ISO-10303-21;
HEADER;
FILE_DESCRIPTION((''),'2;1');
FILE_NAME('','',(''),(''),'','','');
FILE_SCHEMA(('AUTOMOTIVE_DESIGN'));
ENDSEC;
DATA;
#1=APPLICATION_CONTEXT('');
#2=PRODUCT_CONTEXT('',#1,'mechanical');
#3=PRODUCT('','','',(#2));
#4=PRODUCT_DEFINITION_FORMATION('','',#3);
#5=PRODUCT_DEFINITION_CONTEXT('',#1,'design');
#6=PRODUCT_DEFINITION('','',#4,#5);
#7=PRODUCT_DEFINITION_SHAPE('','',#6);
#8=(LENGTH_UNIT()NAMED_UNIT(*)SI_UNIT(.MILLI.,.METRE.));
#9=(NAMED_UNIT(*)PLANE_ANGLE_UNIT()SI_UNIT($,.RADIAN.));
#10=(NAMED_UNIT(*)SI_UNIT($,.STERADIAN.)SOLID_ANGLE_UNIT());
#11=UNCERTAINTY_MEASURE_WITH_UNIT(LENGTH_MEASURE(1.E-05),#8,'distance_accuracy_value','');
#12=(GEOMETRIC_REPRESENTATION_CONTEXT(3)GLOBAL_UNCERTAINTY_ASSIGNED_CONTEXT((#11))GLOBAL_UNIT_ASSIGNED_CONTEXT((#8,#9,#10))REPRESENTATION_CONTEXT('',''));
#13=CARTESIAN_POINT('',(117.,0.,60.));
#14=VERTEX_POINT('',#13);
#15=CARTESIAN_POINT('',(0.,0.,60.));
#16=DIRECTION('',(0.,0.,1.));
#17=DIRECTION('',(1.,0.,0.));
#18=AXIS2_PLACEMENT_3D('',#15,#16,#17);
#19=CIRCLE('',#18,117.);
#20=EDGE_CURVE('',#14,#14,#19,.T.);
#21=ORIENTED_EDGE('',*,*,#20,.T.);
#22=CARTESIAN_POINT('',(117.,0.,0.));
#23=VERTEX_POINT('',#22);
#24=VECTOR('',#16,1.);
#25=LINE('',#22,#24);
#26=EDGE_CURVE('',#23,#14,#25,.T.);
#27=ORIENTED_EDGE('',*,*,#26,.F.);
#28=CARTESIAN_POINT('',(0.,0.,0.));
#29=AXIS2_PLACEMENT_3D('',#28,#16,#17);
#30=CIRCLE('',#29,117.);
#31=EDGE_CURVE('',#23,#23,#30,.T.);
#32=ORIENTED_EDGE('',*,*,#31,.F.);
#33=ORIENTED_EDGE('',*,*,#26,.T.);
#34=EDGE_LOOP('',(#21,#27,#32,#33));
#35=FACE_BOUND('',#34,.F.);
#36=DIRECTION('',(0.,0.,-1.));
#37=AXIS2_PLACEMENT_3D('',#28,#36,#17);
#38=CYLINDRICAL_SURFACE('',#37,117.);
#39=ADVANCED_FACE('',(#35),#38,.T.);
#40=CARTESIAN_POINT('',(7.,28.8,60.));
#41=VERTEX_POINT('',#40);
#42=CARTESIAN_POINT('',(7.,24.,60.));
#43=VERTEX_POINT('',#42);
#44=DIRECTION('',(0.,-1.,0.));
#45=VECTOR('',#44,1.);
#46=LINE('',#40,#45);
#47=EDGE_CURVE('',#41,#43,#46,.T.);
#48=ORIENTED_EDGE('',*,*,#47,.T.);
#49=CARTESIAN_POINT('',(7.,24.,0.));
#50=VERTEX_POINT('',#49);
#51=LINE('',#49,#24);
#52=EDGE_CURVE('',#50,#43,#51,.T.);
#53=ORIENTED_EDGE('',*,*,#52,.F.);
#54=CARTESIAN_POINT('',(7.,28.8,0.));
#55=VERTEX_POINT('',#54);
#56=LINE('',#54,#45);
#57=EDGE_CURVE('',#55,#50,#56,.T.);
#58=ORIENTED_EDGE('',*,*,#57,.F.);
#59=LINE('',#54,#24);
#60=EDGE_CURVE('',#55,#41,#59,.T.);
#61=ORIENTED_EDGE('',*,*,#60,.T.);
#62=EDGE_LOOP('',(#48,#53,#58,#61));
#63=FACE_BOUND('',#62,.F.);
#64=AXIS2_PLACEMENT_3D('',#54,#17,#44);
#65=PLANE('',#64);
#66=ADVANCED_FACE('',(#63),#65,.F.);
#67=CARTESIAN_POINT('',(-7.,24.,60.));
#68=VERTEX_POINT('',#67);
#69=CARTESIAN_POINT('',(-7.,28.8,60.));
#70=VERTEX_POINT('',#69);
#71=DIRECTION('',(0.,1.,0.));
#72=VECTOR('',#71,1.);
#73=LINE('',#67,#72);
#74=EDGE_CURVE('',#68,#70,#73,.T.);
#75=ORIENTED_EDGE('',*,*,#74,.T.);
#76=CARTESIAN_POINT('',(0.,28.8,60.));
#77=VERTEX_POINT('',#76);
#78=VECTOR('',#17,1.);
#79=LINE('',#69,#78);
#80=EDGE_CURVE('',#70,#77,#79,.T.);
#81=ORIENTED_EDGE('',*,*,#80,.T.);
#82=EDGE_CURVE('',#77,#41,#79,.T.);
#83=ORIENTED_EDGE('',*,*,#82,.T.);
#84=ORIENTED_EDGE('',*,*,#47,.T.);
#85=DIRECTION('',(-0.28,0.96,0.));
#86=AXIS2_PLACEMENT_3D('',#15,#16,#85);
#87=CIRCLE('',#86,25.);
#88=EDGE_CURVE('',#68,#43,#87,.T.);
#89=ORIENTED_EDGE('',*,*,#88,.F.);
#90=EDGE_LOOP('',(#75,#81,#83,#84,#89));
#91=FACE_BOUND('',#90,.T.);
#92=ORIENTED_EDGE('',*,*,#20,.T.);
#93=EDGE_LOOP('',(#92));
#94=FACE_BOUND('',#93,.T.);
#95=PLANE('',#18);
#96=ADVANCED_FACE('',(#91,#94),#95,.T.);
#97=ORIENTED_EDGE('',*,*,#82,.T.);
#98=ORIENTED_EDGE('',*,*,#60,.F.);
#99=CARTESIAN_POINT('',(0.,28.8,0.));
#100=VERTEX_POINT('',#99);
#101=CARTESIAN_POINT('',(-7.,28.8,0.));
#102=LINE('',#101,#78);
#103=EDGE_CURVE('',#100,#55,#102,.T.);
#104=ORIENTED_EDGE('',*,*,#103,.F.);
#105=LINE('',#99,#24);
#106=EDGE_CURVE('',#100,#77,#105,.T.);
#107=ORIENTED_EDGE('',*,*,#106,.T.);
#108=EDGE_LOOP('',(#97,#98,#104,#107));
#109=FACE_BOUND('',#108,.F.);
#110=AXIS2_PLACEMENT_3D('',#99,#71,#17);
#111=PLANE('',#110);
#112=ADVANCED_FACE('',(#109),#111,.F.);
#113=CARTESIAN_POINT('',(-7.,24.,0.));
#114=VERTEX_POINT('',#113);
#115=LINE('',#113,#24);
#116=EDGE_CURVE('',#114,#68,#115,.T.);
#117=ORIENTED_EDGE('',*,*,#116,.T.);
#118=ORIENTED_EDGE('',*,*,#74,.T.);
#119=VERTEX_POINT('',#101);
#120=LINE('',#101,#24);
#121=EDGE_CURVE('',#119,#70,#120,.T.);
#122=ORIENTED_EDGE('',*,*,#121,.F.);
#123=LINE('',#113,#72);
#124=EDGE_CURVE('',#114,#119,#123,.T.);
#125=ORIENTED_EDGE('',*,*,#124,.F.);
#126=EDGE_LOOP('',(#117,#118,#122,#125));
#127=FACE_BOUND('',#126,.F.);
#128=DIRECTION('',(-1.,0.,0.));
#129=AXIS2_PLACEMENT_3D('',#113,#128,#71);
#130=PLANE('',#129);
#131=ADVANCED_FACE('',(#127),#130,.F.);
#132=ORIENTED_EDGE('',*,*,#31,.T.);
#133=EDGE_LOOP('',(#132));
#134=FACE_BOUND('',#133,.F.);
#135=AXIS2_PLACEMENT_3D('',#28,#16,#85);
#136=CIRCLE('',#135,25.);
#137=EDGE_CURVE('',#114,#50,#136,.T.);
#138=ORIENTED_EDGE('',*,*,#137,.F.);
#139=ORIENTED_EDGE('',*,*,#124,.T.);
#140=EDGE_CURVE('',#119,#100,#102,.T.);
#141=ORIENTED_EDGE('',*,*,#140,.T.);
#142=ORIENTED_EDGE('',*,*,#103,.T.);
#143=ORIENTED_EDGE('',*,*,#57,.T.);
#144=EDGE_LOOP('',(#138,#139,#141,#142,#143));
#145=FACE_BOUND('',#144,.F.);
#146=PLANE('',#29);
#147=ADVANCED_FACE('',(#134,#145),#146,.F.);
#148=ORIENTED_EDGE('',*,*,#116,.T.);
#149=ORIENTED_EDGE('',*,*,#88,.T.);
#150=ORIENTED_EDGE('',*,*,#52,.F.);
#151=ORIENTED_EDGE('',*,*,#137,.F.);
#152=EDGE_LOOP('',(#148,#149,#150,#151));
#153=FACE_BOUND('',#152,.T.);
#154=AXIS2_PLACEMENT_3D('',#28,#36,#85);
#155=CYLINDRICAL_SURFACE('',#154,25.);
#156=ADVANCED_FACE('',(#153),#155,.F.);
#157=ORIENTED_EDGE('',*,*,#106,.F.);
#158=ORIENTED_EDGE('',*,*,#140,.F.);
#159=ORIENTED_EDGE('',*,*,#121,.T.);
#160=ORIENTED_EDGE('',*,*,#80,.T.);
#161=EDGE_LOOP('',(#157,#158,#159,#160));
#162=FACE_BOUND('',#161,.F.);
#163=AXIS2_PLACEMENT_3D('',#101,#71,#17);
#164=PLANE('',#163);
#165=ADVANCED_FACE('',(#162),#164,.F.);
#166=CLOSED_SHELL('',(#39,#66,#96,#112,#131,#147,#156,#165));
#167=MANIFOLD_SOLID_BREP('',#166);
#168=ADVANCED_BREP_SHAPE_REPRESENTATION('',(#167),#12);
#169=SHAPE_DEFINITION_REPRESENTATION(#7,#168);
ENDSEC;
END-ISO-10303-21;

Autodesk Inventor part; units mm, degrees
sketch "スケッチ1" plane through (0, 0, 0) normal (0, 0, 1) x (1, 0, 0)
  circle A0 centre (0, 0) radius 117
  arc A1 (-7, 24) -> (7, 24) centre (0, 0) ccw
  line L0 (0, 25) -> (0, 28.8)
  line L1 (0, 28.8) -> (0, 20)
  line L2 (0, 20) -> (-7, 20)
  line L3 (-7, 24) -> (-7, 28.8)
  line L4 (-7, 28.8) -> (7, 28.8)
  line L5 (7, 28.8) -> (7, 24)
  line L6 (7, 20) -> (0, 20)
  circle A2 centre (0, 0) radius 111 construction
  circle A3 centre (0, 0) radius 103.5 construction
  circle A4 centre (0, 0) radius 104.3059 construction
  dimension "d0" = 234
  dimension "d1" = 50
  dimension "d2" = 3.8
  dimension "d3" = 8.8
  dimension "d4" = 7
  dimension "d5" = 14
  dimension "d8" = 222
  dimension "d9" = 207
  dimension "d10" = 208.6117
extrude "押し出し1" add sketch "スケッチ1" along normal blind 60
properties part number "gear4"
